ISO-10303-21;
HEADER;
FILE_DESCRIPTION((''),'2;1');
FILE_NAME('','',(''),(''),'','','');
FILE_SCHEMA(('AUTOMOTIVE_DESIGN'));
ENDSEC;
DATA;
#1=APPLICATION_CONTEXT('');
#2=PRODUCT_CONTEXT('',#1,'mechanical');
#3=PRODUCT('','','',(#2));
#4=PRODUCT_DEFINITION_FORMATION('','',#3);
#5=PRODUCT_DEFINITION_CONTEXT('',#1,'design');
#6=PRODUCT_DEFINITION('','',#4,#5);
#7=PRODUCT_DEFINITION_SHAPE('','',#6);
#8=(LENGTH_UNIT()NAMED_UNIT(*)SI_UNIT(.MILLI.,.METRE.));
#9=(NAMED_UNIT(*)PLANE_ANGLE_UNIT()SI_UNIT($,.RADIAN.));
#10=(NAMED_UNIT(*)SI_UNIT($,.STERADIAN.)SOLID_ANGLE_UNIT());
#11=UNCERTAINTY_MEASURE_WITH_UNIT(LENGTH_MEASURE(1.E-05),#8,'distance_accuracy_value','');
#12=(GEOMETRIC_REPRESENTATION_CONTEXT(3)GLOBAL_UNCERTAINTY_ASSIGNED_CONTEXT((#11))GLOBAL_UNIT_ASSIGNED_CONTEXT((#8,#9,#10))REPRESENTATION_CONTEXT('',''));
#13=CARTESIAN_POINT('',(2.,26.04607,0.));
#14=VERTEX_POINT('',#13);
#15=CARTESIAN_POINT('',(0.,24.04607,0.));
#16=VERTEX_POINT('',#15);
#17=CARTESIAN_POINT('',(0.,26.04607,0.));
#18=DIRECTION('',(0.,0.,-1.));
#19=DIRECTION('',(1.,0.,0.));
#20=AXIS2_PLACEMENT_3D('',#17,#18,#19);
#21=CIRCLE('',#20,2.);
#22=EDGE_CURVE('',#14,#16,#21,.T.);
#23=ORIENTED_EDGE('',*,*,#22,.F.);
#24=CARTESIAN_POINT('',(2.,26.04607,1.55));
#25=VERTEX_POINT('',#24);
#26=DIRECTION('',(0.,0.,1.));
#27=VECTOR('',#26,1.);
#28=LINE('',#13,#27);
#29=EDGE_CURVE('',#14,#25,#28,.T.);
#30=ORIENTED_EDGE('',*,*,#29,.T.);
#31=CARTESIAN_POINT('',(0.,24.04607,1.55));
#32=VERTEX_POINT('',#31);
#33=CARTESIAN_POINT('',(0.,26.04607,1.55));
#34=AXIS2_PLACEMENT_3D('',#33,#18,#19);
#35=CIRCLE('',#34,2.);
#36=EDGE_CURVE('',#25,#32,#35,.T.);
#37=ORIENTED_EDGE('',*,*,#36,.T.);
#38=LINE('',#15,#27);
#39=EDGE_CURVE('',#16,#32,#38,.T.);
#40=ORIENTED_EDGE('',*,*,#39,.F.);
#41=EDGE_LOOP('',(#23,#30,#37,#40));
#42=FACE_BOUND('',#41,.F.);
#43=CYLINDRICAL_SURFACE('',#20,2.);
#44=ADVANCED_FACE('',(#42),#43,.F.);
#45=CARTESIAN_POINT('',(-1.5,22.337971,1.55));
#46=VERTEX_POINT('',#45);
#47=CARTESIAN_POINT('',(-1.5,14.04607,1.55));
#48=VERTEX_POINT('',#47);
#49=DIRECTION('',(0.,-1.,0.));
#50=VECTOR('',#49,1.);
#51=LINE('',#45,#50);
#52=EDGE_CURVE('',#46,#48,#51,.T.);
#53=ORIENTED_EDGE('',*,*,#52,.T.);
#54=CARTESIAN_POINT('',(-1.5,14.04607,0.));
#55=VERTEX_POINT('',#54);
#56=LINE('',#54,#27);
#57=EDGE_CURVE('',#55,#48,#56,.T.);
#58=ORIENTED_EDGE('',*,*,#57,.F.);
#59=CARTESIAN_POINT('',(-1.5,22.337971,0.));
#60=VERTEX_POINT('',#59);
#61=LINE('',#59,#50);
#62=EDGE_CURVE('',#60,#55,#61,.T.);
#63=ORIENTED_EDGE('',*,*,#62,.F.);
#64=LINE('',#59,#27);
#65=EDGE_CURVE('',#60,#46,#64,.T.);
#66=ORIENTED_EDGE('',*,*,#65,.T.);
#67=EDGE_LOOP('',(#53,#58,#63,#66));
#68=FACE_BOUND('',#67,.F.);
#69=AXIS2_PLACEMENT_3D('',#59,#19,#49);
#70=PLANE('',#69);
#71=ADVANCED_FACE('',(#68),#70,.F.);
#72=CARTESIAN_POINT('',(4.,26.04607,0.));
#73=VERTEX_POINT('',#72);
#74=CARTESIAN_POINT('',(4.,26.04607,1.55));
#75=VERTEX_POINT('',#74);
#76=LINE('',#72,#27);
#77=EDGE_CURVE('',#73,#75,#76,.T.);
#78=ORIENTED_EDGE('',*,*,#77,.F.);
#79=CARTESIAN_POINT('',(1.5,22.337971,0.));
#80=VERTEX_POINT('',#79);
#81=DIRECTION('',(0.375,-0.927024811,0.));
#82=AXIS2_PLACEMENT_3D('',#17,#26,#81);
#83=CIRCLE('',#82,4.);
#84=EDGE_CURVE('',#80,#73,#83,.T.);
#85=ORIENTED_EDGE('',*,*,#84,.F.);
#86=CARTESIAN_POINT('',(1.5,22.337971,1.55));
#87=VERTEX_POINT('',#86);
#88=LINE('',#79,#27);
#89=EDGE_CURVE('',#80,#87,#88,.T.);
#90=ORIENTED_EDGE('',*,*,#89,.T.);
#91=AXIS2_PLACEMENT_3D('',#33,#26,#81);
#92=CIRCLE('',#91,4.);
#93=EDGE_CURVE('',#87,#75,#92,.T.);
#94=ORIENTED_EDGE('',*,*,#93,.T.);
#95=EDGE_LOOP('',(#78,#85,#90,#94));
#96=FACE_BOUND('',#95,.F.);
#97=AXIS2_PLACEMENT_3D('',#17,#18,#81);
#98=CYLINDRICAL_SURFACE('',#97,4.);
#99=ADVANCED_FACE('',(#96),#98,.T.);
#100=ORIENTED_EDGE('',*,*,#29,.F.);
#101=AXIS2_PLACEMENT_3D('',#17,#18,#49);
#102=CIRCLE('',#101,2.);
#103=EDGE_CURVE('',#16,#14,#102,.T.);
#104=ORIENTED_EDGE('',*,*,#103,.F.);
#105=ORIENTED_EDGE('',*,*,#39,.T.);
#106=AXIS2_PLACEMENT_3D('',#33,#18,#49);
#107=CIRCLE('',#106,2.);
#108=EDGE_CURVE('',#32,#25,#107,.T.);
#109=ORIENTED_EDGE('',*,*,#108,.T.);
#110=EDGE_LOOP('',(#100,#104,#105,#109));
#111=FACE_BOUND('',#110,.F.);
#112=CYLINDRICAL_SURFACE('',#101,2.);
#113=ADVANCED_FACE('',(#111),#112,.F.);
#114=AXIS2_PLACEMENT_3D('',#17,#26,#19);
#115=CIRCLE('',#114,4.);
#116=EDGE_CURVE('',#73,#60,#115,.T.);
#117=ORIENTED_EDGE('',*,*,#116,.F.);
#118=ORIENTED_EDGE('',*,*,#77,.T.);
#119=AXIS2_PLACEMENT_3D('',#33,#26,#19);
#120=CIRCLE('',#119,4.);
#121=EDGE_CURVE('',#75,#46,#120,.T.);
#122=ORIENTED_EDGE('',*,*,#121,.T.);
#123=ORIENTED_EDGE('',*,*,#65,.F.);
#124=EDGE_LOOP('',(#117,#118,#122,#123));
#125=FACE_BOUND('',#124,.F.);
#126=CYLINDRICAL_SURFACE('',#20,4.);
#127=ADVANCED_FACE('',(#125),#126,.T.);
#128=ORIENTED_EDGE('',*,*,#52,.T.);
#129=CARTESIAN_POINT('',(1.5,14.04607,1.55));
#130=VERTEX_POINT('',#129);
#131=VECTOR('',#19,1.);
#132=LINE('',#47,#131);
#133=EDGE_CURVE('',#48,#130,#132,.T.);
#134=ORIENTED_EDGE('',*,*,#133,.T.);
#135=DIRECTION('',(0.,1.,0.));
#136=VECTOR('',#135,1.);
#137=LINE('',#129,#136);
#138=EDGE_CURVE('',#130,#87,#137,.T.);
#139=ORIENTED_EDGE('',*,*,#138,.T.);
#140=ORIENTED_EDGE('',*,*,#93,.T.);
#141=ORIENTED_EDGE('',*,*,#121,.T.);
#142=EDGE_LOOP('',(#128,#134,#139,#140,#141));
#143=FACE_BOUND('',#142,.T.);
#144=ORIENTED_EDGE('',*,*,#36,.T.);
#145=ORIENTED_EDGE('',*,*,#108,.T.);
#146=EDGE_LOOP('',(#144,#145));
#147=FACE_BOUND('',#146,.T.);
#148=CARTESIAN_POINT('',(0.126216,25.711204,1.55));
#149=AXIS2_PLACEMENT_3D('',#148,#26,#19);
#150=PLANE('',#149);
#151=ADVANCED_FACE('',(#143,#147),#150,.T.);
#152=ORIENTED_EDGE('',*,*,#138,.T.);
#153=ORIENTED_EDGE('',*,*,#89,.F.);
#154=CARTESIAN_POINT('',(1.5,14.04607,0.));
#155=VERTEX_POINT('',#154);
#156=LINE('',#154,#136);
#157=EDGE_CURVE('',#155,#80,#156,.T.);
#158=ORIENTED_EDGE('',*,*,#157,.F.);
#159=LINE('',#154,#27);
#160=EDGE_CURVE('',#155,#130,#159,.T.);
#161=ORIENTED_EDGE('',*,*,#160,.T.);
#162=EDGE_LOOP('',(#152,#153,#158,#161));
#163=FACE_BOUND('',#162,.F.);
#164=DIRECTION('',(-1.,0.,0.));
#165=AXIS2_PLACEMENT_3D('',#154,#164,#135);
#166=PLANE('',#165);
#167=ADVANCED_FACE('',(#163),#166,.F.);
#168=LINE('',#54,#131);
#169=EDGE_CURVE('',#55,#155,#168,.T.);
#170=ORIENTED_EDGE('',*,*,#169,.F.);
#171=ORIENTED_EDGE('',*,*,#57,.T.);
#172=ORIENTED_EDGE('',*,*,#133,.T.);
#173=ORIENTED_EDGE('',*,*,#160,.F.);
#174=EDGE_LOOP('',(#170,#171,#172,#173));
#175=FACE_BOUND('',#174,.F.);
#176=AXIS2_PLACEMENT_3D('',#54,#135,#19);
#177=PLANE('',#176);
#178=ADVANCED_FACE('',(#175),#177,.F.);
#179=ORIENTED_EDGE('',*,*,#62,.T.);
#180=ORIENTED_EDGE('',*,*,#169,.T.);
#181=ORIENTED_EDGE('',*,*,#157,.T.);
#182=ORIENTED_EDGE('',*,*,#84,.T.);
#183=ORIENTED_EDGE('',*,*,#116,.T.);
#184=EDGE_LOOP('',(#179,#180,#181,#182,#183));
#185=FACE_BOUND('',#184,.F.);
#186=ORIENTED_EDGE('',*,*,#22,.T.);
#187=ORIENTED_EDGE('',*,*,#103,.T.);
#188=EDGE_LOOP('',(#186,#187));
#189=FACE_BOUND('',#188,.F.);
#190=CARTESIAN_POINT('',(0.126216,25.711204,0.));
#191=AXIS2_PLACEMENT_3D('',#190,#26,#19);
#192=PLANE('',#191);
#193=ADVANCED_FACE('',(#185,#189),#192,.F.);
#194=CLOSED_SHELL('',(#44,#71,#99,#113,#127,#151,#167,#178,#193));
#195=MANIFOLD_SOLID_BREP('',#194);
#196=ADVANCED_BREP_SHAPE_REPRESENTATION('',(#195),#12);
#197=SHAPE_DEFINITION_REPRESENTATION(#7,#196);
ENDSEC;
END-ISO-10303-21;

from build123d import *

# Parameters (mm, degrees)
F1_DEPTH = 1.55


with BuildPart() as f1:
    # F0 (on Top) → F1 (new body)
    with BuildSketch(Plane.XY):
        with BuildLine():
            Line((-1.5, 24.0460701659), (0, 24.0460701659))
            Line((0, 24.0460701659), (1.5, 24.0460701659))
            Line((1.5, 24.0460701659), (1.5, 22.3379709224))
            ThreePointArc((1.5, 22.3379709224), (3.3166247904, 23.8100021884), (4, 26.0460701659))
            ThreePointArc((4, 26.0460701659), (-2.2360679775, 29.3626949563), (-1.5, 22.3379709224))
            Line((-1.5, 22.3379709224), (-1.5, 24.0460701659))
        make_face()
        with BuildLine():
            ThreePointArc((0, 24.0460701659), (-1.4142135624, 27.4602837283), (2, 26.0460701659))
            ThreePointArc((2, 26.0460701659), (1.4142135624, 24.6318566036), (0, 24.0460701659))
        make_face(mode=Mode.SUBTRACT)
        with BuildLine():
            Line((1.5, 24.0460701659), (0, 24.0460701659))
            Line((0, 24.0460701659), (-1.5, 24.0460701659))
            Line((-1.5, 24.0460701659), (-1.5, 22.3379709224))
            ThreePointArc((-1.5, 22.3379709224), (0, 22.0460701659), (1.5, 22.3379709224))
            Line((1.5, 22.3379709224), (1.5, 24.0460701659))
        make_face()
        with BuildLine():
            ThreePointArc((1.5, 22.3379709224), (0, 22.0460701659), (-1.5, 22.3379709224))
            Line((-1.5, 22.3379709224), (-1.5, 14.0460701659))
            Line((-1.5, 14.0460701659), (1.5, 14.0460701659))
            Line((1.5, 14.0460701659), (1.5, 22.3379709224))
        make_face()
    extrude(amount=F1_DEPTH)


solid = f1.part
